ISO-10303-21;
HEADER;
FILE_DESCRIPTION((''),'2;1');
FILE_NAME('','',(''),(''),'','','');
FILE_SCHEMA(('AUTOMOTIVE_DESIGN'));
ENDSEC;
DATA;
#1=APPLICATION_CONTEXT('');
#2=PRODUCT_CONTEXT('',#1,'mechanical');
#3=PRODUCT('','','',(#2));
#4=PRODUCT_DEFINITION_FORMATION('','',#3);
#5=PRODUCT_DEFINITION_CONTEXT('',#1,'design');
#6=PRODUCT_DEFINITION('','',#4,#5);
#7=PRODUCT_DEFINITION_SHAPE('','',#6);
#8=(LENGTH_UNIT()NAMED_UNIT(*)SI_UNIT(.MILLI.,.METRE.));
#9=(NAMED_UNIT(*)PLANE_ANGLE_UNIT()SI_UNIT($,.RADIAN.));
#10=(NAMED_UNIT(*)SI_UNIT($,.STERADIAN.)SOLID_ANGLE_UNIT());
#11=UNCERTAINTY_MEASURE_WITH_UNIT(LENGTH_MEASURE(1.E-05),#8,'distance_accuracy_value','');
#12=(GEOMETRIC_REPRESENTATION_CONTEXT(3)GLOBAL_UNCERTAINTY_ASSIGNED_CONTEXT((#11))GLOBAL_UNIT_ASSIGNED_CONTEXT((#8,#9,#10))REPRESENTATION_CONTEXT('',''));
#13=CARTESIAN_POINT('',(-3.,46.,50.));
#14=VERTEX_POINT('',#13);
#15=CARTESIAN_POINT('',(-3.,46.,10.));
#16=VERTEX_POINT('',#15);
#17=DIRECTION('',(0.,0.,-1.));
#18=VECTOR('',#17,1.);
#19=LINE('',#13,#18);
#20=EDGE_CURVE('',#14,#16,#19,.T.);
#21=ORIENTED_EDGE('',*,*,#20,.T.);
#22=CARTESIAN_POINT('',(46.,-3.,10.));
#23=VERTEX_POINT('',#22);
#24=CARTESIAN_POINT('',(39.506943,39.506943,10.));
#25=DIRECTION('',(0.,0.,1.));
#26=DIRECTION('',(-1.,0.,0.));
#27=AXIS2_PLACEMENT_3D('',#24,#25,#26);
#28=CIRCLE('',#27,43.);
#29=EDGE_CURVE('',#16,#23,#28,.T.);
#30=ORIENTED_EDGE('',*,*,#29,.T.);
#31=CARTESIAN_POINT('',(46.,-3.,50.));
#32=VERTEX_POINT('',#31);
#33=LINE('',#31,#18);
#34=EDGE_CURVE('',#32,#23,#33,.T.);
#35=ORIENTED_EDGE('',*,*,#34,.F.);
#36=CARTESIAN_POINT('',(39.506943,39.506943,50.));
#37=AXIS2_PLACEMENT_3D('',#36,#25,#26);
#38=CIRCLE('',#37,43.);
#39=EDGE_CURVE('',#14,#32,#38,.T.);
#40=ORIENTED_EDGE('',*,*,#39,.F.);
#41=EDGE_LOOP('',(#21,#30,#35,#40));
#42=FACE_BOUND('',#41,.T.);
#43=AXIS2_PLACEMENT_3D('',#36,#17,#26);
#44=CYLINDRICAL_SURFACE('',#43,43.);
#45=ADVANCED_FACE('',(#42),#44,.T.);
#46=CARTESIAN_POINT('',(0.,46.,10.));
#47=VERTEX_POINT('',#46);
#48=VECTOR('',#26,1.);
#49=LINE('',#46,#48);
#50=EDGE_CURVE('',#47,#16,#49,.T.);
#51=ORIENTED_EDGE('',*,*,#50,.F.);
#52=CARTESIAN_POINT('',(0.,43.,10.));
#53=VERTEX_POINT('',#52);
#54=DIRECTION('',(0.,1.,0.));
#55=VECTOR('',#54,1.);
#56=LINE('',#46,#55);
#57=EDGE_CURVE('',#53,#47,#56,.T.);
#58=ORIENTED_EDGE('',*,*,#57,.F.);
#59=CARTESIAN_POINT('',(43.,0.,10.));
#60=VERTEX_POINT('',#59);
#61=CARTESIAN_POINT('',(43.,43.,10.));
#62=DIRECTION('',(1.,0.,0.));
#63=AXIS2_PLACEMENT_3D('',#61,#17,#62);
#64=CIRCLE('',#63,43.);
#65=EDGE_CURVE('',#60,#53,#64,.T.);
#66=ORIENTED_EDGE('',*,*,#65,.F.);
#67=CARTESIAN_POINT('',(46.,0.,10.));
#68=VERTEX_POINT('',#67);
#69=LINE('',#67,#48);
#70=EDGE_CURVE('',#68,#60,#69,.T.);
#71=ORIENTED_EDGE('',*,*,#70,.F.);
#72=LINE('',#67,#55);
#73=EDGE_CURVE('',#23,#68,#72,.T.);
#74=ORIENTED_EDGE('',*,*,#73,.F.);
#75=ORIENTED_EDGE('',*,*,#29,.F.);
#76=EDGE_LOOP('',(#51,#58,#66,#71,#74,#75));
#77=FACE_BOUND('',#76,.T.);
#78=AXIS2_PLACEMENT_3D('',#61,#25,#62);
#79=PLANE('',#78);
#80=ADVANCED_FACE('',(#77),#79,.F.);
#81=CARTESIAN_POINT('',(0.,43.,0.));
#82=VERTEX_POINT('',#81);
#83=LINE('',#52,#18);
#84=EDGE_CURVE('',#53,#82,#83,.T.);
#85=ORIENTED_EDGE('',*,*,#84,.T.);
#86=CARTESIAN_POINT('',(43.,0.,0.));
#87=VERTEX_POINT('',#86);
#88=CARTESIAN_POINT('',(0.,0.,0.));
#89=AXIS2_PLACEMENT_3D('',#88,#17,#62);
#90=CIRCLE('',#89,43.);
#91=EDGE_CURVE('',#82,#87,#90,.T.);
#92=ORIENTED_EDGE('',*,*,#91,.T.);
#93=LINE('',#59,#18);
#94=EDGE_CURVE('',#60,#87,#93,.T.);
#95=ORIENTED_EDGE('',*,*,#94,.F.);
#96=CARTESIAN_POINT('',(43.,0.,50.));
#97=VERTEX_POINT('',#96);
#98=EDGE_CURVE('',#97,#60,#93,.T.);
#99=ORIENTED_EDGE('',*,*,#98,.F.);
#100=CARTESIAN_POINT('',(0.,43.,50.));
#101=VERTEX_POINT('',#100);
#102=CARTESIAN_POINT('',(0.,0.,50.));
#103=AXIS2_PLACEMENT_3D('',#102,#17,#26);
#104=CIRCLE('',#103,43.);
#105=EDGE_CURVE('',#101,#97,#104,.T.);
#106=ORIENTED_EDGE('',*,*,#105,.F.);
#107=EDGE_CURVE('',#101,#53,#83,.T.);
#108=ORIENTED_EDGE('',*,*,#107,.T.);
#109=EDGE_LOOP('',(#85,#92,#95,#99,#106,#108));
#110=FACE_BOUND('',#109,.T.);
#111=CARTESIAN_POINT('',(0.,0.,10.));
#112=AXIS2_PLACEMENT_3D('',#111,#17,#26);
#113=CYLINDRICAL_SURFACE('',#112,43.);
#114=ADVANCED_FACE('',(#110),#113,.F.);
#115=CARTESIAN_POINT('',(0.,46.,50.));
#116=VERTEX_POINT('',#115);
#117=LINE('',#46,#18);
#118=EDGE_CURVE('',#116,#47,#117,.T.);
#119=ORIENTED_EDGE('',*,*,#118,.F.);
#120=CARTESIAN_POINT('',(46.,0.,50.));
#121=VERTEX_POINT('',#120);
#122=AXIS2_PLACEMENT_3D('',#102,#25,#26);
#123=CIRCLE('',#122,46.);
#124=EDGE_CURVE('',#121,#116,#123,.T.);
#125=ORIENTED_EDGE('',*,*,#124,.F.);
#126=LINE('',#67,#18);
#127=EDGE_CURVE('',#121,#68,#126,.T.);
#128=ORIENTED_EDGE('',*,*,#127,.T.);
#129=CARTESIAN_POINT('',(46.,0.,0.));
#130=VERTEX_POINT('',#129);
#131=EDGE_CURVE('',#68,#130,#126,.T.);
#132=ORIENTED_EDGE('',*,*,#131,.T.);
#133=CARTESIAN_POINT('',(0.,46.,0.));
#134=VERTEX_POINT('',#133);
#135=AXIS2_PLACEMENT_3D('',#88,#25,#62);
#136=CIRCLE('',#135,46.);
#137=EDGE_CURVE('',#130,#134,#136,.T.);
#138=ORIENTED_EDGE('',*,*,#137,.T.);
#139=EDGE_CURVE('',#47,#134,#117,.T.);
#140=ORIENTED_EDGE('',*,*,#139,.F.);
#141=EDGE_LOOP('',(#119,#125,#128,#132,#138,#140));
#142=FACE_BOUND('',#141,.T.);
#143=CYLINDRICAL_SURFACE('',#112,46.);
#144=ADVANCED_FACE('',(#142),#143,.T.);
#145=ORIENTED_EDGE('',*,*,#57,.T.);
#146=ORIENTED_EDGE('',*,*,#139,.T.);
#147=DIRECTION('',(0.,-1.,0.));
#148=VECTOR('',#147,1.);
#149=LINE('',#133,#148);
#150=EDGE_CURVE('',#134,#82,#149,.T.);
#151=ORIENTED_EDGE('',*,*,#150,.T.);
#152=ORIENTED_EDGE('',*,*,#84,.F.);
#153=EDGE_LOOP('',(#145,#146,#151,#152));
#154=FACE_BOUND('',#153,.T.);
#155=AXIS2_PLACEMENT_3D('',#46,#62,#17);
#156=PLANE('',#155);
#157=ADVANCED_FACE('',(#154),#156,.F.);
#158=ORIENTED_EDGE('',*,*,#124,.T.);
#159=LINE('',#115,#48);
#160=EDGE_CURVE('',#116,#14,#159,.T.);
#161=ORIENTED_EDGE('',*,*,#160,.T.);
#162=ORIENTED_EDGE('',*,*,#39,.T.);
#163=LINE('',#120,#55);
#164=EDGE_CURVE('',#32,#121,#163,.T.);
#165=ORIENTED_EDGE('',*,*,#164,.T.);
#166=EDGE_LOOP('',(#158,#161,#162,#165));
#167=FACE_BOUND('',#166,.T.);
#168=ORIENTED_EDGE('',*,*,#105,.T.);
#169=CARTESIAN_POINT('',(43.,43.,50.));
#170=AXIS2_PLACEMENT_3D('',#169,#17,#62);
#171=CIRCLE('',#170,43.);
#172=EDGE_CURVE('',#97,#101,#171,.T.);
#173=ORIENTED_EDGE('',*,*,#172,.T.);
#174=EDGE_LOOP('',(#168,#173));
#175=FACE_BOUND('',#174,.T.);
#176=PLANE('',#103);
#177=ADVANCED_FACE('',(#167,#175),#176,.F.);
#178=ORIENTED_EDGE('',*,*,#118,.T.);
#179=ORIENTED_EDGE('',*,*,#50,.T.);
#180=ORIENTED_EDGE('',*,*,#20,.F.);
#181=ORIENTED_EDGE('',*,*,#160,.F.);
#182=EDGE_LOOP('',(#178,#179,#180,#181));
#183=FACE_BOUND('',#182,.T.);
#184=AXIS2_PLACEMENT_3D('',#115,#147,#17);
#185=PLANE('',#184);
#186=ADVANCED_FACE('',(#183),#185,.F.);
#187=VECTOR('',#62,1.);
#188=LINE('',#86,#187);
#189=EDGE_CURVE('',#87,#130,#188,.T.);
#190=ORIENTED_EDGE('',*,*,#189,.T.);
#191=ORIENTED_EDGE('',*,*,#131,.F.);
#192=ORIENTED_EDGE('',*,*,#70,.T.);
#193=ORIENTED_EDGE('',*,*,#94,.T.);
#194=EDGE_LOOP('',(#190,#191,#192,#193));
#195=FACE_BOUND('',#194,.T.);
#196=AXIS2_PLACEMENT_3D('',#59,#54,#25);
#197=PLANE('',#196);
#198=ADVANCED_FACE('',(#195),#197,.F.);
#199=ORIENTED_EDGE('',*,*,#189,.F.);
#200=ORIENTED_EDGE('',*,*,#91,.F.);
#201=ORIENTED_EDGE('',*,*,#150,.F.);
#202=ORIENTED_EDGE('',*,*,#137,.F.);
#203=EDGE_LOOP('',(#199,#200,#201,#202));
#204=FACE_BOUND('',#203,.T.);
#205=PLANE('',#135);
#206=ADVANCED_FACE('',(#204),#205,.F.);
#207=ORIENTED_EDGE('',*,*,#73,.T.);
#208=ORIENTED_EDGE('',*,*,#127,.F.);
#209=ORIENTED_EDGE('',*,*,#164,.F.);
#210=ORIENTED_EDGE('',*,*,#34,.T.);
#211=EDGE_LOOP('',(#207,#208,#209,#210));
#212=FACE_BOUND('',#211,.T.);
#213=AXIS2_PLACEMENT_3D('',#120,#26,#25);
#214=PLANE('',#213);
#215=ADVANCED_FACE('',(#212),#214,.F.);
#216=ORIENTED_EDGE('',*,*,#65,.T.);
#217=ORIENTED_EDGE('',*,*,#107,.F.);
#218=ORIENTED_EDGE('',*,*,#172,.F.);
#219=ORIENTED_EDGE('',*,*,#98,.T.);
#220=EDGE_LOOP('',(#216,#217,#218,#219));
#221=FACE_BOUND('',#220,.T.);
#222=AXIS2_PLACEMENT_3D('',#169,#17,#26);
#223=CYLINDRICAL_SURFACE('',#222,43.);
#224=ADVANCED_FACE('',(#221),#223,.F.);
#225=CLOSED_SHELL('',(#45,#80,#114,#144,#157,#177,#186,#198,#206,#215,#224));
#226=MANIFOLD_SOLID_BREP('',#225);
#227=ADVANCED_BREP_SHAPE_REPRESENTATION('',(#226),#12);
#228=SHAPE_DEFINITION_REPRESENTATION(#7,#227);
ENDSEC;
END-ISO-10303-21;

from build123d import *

# Parameters (mm, degrees)
BOSS_EXTRUDE1_DEPTH = 10
BOSS_EXTRUDE2_DEPTH = 40
BOSS_EXTRUDE3_DEPTH = 40


with BuildPart() as part:
    # Sketch1 → Boss-Extrude1 (new body)
    with BuildSketch(Plane.XY):
        with BuildLine():
            Line((0, 46), (0, 43))
            ThreePointArc((0, 43), (30.405591591, 30.405591591), (43, 0))
            Line((43, 0), (46, 0))
            ThreePointArc((46, 0), (32.526911935, 32.526911935), (0, 46))
        make_face()
    extrude(amount=BOSS_EXTRUDE1_DEPTH)



with BuildPart() as body_2:
    # Sketch3 → Boss-Extrude2 (new body)
    with BuildSketch(Plane.XY.offset(10)):
        with BuildLine():
            Line((0, 46), (-3, 46))
            ThreePointArc((-3, 46), (9.101351514, 9.101351514), (46, -3))
            Line((46, -3), (46, 0))
            Line((46, 0), (43, 0))
            ThreePointArc((43, 0), (12.594408409, 12.594408409), (0, 43))
            Line((0, 43), (0, 46))
        make_face()
    extrude(amount=BOSS_EXTRUDE2_DEPTH)


with BuildPart() as part_1:
    add(part.part)

    add(body_2.part)  # Boss-Extrude3 merges body 2
    # Sketch4 → Boss-Extrude3 (add)
    with BuildSketch(Plane.XY.offset(10)):
        with BuildLine():
            Line((0, 46), (0, 43))
            ThreePointArc((0, 43), (30.405591591, 30.405591591), (43, 0))
            Line((43, 0), (46, 0))
            ThreePointArc((46, 0), (32.526911935, 32.526911935), (0, 46))
        make_face()
    extrude(amount=BOSS_EXTRUDE3_DEPTH)


solid = part_1.part
